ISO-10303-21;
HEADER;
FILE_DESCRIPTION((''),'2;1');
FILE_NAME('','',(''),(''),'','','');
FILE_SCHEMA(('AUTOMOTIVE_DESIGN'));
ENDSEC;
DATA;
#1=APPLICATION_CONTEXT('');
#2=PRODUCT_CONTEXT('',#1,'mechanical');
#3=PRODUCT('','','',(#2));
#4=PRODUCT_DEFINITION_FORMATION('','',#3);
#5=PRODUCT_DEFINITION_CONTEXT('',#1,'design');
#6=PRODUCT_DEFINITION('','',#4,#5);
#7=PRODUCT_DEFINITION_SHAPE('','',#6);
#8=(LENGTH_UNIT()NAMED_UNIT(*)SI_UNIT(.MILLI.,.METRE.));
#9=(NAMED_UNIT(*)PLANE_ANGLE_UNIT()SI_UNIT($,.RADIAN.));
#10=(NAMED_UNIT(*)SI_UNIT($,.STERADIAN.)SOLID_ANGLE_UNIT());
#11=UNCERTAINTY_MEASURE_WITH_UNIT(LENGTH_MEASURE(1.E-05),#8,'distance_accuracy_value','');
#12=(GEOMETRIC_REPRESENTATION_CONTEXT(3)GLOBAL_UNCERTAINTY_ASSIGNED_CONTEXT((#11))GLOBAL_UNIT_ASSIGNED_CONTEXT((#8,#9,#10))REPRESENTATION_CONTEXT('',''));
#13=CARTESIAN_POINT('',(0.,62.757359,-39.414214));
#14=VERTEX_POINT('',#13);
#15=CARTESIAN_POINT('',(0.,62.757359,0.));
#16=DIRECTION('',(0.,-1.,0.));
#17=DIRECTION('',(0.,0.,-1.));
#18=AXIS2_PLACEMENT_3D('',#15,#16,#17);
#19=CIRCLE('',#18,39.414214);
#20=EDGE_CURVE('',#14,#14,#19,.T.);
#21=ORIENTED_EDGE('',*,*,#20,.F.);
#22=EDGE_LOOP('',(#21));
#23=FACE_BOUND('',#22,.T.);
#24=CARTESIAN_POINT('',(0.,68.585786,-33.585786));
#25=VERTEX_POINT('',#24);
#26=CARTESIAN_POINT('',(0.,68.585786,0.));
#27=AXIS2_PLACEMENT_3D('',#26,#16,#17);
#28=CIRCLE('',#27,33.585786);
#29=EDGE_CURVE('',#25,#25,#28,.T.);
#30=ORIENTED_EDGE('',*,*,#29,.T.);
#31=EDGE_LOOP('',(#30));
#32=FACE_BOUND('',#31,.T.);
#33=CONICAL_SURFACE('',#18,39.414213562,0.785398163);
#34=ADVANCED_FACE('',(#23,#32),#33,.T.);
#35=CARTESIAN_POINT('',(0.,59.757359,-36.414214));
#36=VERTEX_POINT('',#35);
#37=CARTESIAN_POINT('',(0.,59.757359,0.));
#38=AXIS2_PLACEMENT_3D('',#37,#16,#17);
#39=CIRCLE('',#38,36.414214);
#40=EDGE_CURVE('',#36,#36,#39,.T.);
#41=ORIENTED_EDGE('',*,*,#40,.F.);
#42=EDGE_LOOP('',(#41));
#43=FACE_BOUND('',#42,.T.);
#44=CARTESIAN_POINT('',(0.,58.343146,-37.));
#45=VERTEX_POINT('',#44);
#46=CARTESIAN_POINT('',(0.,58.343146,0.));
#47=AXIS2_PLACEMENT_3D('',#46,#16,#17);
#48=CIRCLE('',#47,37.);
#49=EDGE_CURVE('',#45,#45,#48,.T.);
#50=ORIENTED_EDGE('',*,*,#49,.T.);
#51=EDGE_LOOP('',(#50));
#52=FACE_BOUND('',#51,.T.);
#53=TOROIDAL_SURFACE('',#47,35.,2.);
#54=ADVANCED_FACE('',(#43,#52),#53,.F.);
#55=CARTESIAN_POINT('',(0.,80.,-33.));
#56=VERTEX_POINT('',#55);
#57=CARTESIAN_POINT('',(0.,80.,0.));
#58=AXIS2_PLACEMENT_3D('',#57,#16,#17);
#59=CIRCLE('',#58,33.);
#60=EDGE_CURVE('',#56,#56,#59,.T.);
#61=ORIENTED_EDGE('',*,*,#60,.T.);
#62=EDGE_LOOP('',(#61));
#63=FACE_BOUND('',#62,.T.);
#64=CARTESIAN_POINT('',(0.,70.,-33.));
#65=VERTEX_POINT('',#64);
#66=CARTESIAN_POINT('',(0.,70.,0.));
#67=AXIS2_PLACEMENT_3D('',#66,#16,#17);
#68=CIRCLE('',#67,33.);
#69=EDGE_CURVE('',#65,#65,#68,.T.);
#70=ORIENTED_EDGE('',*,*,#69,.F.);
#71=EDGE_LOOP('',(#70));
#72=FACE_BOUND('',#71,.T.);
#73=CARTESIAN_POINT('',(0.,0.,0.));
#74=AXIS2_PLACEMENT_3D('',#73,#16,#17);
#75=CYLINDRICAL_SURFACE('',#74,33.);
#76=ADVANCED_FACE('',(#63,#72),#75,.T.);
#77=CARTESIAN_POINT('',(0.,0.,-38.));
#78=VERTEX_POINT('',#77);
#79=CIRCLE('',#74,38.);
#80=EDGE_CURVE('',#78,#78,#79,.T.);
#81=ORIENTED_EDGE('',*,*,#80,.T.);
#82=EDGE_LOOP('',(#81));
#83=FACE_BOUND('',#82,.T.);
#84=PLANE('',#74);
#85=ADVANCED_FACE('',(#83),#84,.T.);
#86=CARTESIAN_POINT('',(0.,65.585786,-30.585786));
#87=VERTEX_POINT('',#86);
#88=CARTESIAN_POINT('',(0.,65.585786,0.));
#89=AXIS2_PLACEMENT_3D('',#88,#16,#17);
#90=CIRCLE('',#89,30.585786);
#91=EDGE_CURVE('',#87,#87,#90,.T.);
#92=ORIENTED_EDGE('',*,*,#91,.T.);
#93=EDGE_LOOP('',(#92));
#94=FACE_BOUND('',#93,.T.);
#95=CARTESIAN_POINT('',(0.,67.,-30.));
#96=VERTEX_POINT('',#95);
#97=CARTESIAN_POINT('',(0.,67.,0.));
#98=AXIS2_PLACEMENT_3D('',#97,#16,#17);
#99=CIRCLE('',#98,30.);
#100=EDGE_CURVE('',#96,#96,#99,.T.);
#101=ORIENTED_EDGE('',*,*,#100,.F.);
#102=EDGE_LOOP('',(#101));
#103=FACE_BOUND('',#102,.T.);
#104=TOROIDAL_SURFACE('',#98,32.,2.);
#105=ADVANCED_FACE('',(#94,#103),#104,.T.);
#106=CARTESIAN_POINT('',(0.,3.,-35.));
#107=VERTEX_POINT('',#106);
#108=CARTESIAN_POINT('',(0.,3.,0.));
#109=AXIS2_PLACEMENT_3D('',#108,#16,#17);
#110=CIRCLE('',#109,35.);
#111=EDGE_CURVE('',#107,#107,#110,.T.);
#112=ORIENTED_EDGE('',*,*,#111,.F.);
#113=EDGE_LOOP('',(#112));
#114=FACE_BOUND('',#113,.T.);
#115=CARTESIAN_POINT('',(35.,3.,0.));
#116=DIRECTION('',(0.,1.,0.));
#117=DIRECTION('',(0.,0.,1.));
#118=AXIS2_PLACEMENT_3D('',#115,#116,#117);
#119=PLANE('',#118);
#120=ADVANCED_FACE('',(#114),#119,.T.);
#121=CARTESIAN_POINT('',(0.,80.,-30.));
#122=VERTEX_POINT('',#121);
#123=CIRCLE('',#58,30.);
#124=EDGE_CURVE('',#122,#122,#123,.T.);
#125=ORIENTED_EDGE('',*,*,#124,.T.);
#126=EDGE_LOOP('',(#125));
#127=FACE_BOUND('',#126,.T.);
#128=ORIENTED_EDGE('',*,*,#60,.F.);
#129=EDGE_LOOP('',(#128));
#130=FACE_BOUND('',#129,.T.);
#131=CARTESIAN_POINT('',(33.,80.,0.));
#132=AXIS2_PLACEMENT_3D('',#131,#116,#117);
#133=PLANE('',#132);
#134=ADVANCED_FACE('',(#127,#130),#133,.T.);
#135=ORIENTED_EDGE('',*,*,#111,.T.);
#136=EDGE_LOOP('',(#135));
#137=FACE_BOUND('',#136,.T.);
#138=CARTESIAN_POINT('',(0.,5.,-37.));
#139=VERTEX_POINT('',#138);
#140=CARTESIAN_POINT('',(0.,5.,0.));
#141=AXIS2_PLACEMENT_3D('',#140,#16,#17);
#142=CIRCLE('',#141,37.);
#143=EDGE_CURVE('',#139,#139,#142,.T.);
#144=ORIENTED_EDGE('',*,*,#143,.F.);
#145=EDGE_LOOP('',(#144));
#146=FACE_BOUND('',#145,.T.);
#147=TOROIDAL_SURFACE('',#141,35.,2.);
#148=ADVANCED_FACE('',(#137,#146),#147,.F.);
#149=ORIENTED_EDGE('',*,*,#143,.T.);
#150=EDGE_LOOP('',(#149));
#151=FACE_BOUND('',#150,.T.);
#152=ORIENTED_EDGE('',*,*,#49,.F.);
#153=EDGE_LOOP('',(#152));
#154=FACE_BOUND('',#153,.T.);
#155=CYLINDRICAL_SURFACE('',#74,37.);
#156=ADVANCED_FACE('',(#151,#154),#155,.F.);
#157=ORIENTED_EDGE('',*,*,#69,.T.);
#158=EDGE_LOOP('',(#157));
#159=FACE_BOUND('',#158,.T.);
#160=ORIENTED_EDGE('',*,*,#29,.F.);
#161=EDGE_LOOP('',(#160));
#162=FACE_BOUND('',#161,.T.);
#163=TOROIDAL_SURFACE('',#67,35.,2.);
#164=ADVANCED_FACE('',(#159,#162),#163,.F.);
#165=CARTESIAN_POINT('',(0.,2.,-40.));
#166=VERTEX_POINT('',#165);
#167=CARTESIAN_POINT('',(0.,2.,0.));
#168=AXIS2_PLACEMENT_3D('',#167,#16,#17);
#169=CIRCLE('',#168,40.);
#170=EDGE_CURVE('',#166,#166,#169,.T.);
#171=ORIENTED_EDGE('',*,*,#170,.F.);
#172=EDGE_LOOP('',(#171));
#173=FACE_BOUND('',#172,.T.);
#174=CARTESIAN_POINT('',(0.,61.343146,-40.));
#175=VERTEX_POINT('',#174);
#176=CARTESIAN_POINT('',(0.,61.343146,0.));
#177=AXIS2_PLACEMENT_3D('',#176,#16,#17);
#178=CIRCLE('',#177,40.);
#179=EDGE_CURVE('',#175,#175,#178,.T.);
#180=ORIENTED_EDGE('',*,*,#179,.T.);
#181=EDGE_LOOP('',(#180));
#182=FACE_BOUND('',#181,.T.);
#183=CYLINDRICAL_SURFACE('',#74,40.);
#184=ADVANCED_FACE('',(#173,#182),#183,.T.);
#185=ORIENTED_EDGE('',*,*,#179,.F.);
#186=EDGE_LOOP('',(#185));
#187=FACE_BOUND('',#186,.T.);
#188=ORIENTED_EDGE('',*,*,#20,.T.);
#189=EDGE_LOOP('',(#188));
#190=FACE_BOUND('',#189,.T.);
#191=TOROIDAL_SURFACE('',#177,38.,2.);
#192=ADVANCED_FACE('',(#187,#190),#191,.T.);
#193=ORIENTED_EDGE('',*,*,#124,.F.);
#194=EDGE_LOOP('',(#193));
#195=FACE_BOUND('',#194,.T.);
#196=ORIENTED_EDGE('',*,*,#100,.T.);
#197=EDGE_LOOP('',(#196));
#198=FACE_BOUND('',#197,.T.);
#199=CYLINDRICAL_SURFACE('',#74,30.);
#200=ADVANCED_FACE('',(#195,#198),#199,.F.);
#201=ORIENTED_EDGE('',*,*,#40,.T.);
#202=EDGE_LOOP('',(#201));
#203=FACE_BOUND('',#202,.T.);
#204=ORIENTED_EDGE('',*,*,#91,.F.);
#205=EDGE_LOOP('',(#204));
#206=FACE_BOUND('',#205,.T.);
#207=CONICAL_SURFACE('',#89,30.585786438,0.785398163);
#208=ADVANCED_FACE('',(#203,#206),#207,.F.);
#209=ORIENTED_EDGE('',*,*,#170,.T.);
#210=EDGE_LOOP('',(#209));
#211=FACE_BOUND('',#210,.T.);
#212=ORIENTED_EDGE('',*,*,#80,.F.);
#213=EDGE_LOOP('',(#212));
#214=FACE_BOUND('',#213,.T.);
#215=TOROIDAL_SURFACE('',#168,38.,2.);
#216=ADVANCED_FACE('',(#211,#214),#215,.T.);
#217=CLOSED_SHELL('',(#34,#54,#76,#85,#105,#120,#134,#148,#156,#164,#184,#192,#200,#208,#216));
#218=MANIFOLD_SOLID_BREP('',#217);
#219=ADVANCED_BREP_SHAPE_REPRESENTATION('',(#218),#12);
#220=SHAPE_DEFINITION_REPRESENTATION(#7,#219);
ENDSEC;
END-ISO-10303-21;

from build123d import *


with BuildPart() as part:
    # Esquisse1 → Révolution1 (revolve)
    with BuildSketch(Plane.XY):
        with BuildLine():
            Line((0, 0), (38, 0))
            ThreePointArc((38, 0), (39.414213562, 0.585786438), (40, 2))
            Line((40, 2), (40, 61.343145751))
            ThreePointArc((40, 61.343145751), (39.847759065, 62.108512615), (39.414213562, 62.757359313))
            Line((39.414213562, 62.757359313), (33.585786438, 68.585786438))
            ThreePointArc((33.585786438, 68.585786438), (33.152240935, 69.234633135), (33, 70))
            Line((33, 70), (33, 80))
            Line((33, 80), (30, 80))
            Line((30, 80), (30, 67))
            ThreePointArc((30, 67), (30.152240935, 66.234633135), (30.585786438, 65.585786438))
            Line((30.585786438, 65.585786438), (36.414213562, 59.757359313))
            ThreePointArc((36.414213562, 59.757359313), (36.847759065, 59.108512615), (37, 58.343145751))
            Line((37, 58.343145751), (37, 5))
            ThreePointArc((37, 5), (36.414213562, 3.585786438), (35, 3))
            Line((35, 3), (0, 3))
            Line((0, 3), (0, 0))
        make_face()
    revolve(axis=Axis((0, 0, 0), (0, 1, 0)))


solid = part.part
